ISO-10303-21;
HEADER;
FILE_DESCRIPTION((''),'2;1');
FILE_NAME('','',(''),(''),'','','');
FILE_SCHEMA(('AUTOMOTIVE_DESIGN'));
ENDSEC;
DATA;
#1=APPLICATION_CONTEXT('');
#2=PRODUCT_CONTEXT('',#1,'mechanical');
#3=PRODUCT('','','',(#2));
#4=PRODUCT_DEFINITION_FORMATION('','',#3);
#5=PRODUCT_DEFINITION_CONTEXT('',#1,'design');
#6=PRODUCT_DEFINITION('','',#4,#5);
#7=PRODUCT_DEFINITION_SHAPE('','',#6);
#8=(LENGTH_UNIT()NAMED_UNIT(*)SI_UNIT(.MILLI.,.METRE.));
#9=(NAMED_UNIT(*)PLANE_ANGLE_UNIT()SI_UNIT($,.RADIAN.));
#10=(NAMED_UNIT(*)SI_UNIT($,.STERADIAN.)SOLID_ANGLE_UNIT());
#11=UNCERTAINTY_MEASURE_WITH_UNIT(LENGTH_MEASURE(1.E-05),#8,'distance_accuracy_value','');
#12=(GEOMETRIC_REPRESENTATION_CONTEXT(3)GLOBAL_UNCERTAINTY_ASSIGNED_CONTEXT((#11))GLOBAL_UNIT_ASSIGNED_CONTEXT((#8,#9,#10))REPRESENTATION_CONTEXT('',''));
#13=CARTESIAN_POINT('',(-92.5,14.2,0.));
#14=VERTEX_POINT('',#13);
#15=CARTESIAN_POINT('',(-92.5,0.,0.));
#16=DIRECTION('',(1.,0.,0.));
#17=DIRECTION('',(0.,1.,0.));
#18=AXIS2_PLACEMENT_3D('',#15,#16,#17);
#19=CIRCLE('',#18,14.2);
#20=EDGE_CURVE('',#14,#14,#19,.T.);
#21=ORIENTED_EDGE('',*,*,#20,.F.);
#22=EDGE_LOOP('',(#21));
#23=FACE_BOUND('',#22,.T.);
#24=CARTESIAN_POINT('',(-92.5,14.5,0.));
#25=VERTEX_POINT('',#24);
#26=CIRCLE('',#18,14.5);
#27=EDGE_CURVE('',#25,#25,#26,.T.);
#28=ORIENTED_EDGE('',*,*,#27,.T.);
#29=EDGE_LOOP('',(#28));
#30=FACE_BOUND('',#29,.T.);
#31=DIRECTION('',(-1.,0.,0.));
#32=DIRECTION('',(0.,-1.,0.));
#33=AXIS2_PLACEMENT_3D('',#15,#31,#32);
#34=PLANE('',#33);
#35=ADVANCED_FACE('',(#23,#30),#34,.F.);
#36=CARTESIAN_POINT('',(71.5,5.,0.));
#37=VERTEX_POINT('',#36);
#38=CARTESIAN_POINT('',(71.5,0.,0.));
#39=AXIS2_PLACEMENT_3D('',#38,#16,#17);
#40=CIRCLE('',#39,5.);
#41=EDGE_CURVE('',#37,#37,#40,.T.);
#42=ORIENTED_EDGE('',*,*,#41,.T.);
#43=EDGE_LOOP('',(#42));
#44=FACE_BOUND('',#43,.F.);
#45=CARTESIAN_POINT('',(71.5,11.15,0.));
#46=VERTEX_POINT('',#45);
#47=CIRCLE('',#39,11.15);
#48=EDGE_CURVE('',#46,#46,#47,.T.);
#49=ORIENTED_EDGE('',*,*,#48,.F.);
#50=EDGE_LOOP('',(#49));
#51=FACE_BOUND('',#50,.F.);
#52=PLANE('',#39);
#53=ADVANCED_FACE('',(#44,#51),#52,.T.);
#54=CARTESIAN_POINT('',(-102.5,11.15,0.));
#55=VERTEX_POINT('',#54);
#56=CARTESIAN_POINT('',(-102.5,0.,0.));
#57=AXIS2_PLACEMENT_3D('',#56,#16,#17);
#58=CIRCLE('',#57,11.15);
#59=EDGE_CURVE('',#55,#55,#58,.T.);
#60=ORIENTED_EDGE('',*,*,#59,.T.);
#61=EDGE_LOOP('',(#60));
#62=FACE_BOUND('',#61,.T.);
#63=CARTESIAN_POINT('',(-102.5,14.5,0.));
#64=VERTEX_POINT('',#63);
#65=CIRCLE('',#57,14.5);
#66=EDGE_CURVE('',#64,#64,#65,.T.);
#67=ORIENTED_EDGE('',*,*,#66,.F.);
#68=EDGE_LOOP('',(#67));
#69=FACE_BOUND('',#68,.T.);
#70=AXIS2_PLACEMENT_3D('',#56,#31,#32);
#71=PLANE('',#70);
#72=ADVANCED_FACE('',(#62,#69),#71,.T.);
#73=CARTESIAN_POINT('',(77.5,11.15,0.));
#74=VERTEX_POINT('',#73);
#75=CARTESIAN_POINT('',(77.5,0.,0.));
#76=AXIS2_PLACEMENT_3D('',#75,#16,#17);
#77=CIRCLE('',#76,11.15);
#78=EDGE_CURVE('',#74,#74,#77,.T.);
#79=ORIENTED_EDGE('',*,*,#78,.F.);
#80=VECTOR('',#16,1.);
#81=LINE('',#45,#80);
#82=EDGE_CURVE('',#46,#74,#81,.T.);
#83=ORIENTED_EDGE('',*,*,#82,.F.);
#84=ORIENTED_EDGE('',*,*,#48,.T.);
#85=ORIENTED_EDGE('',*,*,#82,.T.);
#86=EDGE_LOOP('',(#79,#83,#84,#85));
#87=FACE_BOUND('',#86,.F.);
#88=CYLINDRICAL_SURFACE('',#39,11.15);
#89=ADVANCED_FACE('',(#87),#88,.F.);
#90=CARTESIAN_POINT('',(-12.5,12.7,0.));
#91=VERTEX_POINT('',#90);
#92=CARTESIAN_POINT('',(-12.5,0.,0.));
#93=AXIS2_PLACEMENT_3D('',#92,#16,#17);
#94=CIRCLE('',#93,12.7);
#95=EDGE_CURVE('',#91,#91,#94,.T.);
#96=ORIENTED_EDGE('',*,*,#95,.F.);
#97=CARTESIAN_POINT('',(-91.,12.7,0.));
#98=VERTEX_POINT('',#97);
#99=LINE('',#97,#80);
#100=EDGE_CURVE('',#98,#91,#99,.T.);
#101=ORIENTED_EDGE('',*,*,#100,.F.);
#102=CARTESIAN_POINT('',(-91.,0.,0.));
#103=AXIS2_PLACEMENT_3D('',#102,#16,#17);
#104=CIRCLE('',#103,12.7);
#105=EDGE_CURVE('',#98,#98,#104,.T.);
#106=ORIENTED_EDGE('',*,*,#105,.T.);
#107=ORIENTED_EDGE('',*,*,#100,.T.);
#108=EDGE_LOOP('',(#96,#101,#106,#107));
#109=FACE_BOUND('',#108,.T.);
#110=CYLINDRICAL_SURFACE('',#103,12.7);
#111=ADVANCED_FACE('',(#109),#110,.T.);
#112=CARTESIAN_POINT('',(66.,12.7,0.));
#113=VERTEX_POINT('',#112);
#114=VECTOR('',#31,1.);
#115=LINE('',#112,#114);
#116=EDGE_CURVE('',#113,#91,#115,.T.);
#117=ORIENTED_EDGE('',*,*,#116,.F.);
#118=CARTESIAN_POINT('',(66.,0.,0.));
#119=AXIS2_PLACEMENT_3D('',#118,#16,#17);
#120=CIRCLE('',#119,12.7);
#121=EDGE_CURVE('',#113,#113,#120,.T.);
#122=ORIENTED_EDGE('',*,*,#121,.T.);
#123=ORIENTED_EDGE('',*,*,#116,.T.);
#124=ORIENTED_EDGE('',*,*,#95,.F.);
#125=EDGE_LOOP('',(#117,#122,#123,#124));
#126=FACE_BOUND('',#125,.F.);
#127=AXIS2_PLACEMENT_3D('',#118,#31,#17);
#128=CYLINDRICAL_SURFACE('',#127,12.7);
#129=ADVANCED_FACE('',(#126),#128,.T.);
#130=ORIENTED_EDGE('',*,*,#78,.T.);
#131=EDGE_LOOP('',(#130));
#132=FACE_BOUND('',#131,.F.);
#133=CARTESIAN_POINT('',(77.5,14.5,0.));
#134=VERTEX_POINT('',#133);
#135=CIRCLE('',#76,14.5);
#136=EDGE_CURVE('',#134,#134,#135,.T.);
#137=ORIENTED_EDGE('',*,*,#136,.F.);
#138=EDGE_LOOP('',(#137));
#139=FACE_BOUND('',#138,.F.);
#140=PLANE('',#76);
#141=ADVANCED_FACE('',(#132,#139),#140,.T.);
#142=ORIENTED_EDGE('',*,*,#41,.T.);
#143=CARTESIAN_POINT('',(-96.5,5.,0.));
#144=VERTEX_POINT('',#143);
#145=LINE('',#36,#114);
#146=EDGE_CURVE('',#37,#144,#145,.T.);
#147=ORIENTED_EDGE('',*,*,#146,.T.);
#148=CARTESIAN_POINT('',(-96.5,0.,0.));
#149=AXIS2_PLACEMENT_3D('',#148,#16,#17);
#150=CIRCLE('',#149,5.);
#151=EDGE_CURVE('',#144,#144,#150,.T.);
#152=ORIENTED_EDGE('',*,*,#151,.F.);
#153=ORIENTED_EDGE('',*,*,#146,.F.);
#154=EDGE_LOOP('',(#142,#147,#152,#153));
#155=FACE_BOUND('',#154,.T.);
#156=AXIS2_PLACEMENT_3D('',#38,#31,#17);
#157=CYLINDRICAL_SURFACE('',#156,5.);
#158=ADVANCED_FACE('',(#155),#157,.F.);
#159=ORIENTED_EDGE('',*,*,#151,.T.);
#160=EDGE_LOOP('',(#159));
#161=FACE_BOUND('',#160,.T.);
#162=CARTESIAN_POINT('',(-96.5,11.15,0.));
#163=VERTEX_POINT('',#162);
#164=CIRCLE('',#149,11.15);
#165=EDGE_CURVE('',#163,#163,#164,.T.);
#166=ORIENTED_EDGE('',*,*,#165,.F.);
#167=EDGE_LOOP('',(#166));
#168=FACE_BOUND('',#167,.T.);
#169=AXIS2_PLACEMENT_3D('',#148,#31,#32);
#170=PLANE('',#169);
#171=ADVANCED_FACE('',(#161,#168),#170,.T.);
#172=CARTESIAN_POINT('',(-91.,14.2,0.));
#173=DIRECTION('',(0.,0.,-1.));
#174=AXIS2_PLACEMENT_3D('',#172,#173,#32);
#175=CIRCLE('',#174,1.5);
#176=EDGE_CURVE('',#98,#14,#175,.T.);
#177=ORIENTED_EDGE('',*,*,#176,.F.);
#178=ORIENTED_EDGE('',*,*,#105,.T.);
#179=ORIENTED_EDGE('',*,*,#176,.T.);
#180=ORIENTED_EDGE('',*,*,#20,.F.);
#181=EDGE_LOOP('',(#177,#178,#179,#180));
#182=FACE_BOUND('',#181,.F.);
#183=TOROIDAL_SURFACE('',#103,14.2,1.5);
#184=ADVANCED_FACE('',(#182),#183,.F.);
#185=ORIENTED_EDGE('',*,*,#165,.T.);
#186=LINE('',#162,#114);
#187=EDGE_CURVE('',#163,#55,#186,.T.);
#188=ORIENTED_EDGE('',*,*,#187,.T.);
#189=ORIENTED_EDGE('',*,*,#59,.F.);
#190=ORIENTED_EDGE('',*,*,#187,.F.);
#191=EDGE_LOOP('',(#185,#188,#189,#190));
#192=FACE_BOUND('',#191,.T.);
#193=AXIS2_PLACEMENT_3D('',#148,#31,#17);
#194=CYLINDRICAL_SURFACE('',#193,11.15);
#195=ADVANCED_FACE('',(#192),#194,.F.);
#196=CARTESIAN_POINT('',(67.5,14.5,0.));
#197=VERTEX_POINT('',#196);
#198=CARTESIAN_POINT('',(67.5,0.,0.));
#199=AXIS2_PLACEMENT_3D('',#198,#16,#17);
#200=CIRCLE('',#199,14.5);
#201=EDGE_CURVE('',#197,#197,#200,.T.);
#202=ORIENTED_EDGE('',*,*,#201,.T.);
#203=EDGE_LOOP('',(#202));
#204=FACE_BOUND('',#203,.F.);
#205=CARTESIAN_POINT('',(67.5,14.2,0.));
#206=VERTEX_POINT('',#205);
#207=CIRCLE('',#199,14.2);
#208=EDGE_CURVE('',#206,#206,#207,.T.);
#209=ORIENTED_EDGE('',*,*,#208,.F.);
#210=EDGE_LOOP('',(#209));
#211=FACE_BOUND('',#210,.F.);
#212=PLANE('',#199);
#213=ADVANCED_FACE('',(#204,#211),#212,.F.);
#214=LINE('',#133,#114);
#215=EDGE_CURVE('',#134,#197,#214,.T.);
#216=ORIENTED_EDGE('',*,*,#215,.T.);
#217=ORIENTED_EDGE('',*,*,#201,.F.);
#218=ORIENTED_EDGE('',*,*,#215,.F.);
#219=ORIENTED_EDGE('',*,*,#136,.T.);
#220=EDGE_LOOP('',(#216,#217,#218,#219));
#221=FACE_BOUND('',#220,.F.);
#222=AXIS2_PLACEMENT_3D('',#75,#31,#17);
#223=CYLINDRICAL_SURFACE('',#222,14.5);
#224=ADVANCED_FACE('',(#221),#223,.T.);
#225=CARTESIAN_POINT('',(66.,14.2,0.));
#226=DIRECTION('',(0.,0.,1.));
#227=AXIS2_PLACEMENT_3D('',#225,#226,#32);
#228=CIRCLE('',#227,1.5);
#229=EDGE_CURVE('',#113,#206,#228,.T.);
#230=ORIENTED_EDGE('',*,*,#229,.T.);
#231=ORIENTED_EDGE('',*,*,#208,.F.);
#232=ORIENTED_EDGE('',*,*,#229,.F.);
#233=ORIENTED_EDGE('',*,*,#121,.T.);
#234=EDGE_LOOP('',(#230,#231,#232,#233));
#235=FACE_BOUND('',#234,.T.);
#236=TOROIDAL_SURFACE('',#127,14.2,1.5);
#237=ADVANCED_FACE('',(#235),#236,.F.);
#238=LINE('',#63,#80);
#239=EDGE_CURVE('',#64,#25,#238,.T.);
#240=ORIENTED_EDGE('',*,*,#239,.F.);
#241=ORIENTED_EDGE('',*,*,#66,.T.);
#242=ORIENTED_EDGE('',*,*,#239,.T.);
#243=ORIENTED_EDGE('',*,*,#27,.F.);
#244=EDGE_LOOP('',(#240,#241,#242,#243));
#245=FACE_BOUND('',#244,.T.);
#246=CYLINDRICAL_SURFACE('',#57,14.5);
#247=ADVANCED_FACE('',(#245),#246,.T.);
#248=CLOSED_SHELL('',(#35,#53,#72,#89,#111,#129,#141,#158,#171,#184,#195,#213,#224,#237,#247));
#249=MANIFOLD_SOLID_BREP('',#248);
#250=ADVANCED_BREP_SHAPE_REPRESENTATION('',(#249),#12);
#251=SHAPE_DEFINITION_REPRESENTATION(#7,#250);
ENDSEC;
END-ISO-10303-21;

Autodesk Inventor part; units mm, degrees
ref_plane "YZ Plane" through (0, 0, 0) normal (1, 0, 0) x (0, 1, 0)
ref_plane "XZ Plane" through (0, 0, 0) normal (0, 1, 0) x (-1, 0, 0)
sketch "Sketch5" plane through (0, 0, 0) normal (0, 0, 1) x (1, 0, 0)
  line L0 (71.5, 5) -> (71.5, 11.15)
  line L1 (71.5, 11.15) -> (77.5, 11.15)
  line L2 (77.5, 11.15) -> (77.5, 14.5)
  line L3 (77.5, 14.5) -> (67.5, 14.5)
  line L4 (67.5, 14.5) -> (67.5, 14.2)
  line L5 (66, 12.7) -> (-12.5, 12.7)
  line L6 (71.5, 5) -> (-12.5, 5)
  line L7 (-12.5, 5) -> (-12.5, 12.7)
  line L8 (0, 0) -> (106.4906, 0) construction
  line L9 (67.5, 14.2) -> (67.5, 14.2)
  arc A0 (66, 12.7) -> (67.5, 14.2) centre (66, 14.2) ccw
  line L10 (35.25, 16.2) -> (60.7131, 16.2)
  point P0 (67.5, 12.7)
  point P1 (67.5, 14.5)
  point P2 (67.5, 14.2)
  dimension "d12" = 5
  dimension "d14" = 6
  dimension "d16" = 11.15
  dimension "d17" = 14.5
  dimension "d19" = 10
  dimension "d27" = 80
  dimension "d28" = 1.5
  dimension "d29" = 12.7
  dimension "d30" = 3.5
revolve "Revolution1" add sketch "Sketch5" angle 360 about axis through (0, 0, 0) along (1, 0, 0)
ref_plane "Work Plane1" through (-12.5, 0, 0) normal (-1, 0, 0) x (0, 0, 1)
mirror "Mirror1" about plane through (-12.5, 0, 0) normal (-1, 0, 0) of "Revolution1"
properties part number "12111_Proximal Roller_V1" material "ABS Plastic"
